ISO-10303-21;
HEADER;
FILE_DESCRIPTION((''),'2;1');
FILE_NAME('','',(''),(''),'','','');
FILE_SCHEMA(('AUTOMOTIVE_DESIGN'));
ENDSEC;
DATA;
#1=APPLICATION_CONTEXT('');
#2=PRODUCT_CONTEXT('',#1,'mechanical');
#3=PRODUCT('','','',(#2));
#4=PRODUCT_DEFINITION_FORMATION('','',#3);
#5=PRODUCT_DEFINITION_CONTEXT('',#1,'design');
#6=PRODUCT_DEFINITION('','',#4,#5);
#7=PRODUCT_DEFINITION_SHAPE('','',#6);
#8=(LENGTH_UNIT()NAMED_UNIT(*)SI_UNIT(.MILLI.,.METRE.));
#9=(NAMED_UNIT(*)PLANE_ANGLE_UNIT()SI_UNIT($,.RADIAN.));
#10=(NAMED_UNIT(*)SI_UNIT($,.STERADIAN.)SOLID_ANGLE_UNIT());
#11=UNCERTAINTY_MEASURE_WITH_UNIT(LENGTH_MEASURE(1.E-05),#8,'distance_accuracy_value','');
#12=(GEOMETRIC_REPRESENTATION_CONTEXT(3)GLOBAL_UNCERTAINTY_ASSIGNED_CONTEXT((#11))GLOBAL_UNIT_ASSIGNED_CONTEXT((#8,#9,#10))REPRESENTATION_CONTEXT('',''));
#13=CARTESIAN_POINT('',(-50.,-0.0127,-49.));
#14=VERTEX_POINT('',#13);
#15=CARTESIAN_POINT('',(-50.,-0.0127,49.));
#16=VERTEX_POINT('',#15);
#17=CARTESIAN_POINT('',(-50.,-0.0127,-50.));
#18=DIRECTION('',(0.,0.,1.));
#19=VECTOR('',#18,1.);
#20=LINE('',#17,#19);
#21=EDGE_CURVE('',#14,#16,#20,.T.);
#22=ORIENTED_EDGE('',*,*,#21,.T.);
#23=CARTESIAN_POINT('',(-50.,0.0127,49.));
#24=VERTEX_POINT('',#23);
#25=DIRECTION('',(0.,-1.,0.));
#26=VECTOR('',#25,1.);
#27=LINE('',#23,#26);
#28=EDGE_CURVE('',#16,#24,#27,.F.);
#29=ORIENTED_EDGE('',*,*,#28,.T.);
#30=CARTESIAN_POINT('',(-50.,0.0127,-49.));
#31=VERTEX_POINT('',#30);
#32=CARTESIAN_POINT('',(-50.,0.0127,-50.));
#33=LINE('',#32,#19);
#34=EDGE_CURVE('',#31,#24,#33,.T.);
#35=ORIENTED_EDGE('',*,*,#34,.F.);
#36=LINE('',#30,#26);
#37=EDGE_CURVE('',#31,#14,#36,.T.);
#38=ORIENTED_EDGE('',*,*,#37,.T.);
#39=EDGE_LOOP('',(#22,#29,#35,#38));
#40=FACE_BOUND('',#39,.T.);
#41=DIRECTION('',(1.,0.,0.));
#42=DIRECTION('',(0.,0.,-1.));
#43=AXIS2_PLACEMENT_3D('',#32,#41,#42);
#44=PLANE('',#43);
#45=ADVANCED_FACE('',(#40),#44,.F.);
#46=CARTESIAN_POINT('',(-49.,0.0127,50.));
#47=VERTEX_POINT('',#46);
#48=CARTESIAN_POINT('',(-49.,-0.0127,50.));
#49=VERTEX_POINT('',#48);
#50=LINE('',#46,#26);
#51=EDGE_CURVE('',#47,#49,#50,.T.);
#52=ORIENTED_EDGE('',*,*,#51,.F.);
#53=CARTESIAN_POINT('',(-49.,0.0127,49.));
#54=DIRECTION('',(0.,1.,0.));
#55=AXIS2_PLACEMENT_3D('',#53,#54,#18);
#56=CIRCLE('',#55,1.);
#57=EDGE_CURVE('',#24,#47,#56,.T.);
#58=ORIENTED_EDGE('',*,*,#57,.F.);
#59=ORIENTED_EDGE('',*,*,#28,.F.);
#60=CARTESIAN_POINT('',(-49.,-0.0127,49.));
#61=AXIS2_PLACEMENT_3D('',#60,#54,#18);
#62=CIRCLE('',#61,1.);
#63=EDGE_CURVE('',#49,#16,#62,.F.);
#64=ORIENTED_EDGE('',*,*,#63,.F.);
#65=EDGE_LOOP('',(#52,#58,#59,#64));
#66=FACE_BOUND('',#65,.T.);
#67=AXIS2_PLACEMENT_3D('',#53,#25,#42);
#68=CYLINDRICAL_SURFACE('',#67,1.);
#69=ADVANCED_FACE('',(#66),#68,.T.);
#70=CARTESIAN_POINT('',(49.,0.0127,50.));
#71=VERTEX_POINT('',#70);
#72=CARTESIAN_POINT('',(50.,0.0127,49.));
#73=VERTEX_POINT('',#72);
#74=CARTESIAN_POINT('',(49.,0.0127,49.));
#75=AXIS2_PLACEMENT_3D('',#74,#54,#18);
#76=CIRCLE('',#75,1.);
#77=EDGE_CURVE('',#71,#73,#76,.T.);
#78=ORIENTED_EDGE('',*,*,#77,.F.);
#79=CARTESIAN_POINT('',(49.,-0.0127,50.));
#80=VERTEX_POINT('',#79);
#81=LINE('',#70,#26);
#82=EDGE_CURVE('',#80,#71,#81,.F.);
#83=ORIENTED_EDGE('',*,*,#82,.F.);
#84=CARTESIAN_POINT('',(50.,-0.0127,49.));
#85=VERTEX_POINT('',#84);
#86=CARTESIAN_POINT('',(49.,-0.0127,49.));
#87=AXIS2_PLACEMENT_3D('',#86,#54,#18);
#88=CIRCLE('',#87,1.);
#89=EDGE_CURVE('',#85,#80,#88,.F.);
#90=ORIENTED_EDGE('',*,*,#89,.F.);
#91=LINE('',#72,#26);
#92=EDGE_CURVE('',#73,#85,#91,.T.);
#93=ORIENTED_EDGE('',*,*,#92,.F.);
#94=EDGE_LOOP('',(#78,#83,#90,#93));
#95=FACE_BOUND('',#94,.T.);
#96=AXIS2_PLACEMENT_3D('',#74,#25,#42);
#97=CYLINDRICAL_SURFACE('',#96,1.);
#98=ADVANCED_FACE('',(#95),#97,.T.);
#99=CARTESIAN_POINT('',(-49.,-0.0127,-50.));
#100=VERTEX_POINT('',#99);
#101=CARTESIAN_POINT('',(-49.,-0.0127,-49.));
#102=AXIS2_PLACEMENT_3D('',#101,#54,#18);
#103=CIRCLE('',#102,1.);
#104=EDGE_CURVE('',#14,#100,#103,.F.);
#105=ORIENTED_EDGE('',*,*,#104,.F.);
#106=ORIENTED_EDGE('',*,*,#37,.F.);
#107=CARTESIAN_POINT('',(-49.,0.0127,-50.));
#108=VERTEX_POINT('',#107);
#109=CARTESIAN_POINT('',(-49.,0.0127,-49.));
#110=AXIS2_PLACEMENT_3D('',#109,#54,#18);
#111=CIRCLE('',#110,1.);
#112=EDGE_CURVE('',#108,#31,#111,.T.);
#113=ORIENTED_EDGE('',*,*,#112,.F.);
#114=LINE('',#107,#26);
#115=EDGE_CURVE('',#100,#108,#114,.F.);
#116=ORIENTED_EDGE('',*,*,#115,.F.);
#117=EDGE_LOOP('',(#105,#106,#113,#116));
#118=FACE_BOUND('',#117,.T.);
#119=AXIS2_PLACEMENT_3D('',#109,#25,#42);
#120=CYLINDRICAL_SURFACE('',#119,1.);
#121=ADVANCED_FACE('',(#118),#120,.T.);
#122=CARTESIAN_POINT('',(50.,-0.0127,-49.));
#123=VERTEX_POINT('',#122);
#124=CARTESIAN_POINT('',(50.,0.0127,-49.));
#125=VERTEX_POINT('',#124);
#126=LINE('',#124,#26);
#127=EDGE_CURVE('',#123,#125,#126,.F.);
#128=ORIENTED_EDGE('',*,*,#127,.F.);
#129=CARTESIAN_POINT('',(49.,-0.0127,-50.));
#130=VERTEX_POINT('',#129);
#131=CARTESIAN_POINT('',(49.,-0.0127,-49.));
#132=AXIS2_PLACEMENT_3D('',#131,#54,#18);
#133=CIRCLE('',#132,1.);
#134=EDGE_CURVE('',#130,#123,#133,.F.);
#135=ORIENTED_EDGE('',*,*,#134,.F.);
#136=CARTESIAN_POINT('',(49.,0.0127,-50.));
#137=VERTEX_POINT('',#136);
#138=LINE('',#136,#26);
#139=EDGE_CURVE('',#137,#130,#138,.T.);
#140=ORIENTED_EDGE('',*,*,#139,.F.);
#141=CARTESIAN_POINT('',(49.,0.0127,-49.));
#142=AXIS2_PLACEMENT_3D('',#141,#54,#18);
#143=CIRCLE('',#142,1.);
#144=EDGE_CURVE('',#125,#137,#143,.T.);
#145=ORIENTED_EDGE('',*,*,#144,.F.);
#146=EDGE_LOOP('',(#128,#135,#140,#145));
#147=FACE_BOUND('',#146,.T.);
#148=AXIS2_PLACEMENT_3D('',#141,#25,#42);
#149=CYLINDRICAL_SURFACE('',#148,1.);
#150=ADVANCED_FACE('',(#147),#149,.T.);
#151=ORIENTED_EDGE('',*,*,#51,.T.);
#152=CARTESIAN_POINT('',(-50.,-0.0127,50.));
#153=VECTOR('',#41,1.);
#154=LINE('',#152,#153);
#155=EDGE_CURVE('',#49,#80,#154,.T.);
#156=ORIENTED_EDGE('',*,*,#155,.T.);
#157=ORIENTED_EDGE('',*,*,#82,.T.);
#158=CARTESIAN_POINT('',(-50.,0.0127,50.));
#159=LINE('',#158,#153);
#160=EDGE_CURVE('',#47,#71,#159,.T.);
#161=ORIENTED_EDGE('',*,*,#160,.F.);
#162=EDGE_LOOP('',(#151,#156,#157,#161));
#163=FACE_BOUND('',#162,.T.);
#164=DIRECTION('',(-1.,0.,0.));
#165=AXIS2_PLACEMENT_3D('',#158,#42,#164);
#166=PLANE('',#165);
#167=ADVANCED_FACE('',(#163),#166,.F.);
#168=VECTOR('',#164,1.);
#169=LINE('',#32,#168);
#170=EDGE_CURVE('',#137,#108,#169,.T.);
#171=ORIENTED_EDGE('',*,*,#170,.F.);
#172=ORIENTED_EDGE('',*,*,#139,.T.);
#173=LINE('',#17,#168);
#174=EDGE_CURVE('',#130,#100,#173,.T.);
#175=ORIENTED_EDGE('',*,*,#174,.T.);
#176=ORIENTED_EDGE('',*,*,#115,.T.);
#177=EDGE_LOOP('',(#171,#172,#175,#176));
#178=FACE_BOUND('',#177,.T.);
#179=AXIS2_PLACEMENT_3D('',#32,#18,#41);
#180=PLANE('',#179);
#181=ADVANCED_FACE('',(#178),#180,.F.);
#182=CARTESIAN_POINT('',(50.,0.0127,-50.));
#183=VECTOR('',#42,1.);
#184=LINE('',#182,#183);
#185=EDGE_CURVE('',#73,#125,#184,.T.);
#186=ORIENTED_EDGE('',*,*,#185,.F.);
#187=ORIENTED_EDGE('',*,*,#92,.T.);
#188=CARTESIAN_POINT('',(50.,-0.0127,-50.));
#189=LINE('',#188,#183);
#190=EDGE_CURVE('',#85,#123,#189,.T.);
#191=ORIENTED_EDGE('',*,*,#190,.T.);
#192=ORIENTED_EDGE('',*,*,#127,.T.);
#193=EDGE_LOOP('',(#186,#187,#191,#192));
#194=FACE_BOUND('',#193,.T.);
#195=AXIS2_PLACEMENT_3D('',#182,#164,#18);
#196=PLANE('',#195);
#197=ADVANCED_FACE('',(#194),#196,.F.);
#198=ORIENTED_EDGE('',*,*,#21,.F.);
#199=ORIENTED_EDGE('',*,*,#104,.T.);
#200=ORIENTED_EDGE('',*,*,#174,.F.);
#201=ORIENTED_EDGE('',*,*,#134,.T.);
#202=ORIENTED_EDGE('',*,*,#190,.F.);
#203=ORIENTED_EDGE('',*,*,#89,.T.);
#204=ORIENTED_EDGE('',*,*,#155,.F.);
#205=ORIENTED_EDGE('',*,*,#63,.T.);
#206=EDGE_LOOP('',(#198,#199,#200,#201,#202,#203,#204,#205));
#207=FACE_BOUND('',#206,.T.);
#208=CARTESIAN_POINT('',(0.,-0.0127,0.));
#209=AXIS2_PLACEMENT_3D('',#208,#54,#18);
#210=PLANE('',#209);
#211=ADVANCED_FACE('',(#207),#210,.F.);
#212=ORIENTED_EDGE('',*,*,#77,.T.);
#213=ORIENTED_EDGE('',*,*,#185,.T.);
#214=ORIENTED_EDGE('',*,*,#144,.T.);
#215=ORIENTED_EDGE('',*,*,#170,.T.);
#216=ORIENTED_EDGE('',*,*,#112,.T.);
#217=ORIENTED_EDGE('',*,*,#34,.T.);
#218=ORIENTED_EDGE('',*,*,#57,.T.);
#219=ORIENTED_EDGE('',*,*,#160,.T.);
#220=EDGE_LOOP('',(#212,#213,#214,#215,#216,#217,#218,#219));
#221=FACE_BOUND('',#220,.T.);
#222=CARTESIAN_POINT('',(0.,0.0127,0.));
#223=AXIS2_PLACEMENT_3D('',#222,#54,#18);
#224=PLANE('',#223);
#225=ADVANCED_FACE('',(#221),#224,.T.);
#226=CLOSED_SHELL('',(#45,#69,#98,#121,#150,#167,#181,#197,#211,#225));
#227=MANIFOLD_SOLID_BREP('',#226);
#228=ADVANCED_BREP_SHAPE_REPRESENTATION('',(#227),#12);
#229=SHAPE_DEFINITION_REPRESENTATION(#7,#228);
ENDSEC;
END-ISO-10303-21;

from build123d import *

# Parameters (mm, degrees)
SKETCH1_W           = 100
SKETCH1_H           = 100
BOSS_EXTRUDE1_DEPTH = 0.0127
FILLET1_R           = 1


with BuildPart() as part:
    # Sketch1 → Boss-Extrude1 (new, symmetric)
    with BuildSketch(Plane(origin=(0, 0, 0), x_dir=(1, 0, 0), z_dir=(0, 1, 0))):
        Rectangle(SKETCH1_W, SKETCH1_H)
    extrude(amount=BOSS_EXTRUDE1_DEPTH, both=True)

    # Fillet1
    fillet1_edges = [part.edges().sort_by_distance(p)[0] for p in [
        (50, 0, 50),
        (-50, 0, 50),
        (-50, 0, -50),
        (50, 0, -50),
    ]]
    fillet(fillet1_edges, radius=FILLET1_R)


solid = part.part
